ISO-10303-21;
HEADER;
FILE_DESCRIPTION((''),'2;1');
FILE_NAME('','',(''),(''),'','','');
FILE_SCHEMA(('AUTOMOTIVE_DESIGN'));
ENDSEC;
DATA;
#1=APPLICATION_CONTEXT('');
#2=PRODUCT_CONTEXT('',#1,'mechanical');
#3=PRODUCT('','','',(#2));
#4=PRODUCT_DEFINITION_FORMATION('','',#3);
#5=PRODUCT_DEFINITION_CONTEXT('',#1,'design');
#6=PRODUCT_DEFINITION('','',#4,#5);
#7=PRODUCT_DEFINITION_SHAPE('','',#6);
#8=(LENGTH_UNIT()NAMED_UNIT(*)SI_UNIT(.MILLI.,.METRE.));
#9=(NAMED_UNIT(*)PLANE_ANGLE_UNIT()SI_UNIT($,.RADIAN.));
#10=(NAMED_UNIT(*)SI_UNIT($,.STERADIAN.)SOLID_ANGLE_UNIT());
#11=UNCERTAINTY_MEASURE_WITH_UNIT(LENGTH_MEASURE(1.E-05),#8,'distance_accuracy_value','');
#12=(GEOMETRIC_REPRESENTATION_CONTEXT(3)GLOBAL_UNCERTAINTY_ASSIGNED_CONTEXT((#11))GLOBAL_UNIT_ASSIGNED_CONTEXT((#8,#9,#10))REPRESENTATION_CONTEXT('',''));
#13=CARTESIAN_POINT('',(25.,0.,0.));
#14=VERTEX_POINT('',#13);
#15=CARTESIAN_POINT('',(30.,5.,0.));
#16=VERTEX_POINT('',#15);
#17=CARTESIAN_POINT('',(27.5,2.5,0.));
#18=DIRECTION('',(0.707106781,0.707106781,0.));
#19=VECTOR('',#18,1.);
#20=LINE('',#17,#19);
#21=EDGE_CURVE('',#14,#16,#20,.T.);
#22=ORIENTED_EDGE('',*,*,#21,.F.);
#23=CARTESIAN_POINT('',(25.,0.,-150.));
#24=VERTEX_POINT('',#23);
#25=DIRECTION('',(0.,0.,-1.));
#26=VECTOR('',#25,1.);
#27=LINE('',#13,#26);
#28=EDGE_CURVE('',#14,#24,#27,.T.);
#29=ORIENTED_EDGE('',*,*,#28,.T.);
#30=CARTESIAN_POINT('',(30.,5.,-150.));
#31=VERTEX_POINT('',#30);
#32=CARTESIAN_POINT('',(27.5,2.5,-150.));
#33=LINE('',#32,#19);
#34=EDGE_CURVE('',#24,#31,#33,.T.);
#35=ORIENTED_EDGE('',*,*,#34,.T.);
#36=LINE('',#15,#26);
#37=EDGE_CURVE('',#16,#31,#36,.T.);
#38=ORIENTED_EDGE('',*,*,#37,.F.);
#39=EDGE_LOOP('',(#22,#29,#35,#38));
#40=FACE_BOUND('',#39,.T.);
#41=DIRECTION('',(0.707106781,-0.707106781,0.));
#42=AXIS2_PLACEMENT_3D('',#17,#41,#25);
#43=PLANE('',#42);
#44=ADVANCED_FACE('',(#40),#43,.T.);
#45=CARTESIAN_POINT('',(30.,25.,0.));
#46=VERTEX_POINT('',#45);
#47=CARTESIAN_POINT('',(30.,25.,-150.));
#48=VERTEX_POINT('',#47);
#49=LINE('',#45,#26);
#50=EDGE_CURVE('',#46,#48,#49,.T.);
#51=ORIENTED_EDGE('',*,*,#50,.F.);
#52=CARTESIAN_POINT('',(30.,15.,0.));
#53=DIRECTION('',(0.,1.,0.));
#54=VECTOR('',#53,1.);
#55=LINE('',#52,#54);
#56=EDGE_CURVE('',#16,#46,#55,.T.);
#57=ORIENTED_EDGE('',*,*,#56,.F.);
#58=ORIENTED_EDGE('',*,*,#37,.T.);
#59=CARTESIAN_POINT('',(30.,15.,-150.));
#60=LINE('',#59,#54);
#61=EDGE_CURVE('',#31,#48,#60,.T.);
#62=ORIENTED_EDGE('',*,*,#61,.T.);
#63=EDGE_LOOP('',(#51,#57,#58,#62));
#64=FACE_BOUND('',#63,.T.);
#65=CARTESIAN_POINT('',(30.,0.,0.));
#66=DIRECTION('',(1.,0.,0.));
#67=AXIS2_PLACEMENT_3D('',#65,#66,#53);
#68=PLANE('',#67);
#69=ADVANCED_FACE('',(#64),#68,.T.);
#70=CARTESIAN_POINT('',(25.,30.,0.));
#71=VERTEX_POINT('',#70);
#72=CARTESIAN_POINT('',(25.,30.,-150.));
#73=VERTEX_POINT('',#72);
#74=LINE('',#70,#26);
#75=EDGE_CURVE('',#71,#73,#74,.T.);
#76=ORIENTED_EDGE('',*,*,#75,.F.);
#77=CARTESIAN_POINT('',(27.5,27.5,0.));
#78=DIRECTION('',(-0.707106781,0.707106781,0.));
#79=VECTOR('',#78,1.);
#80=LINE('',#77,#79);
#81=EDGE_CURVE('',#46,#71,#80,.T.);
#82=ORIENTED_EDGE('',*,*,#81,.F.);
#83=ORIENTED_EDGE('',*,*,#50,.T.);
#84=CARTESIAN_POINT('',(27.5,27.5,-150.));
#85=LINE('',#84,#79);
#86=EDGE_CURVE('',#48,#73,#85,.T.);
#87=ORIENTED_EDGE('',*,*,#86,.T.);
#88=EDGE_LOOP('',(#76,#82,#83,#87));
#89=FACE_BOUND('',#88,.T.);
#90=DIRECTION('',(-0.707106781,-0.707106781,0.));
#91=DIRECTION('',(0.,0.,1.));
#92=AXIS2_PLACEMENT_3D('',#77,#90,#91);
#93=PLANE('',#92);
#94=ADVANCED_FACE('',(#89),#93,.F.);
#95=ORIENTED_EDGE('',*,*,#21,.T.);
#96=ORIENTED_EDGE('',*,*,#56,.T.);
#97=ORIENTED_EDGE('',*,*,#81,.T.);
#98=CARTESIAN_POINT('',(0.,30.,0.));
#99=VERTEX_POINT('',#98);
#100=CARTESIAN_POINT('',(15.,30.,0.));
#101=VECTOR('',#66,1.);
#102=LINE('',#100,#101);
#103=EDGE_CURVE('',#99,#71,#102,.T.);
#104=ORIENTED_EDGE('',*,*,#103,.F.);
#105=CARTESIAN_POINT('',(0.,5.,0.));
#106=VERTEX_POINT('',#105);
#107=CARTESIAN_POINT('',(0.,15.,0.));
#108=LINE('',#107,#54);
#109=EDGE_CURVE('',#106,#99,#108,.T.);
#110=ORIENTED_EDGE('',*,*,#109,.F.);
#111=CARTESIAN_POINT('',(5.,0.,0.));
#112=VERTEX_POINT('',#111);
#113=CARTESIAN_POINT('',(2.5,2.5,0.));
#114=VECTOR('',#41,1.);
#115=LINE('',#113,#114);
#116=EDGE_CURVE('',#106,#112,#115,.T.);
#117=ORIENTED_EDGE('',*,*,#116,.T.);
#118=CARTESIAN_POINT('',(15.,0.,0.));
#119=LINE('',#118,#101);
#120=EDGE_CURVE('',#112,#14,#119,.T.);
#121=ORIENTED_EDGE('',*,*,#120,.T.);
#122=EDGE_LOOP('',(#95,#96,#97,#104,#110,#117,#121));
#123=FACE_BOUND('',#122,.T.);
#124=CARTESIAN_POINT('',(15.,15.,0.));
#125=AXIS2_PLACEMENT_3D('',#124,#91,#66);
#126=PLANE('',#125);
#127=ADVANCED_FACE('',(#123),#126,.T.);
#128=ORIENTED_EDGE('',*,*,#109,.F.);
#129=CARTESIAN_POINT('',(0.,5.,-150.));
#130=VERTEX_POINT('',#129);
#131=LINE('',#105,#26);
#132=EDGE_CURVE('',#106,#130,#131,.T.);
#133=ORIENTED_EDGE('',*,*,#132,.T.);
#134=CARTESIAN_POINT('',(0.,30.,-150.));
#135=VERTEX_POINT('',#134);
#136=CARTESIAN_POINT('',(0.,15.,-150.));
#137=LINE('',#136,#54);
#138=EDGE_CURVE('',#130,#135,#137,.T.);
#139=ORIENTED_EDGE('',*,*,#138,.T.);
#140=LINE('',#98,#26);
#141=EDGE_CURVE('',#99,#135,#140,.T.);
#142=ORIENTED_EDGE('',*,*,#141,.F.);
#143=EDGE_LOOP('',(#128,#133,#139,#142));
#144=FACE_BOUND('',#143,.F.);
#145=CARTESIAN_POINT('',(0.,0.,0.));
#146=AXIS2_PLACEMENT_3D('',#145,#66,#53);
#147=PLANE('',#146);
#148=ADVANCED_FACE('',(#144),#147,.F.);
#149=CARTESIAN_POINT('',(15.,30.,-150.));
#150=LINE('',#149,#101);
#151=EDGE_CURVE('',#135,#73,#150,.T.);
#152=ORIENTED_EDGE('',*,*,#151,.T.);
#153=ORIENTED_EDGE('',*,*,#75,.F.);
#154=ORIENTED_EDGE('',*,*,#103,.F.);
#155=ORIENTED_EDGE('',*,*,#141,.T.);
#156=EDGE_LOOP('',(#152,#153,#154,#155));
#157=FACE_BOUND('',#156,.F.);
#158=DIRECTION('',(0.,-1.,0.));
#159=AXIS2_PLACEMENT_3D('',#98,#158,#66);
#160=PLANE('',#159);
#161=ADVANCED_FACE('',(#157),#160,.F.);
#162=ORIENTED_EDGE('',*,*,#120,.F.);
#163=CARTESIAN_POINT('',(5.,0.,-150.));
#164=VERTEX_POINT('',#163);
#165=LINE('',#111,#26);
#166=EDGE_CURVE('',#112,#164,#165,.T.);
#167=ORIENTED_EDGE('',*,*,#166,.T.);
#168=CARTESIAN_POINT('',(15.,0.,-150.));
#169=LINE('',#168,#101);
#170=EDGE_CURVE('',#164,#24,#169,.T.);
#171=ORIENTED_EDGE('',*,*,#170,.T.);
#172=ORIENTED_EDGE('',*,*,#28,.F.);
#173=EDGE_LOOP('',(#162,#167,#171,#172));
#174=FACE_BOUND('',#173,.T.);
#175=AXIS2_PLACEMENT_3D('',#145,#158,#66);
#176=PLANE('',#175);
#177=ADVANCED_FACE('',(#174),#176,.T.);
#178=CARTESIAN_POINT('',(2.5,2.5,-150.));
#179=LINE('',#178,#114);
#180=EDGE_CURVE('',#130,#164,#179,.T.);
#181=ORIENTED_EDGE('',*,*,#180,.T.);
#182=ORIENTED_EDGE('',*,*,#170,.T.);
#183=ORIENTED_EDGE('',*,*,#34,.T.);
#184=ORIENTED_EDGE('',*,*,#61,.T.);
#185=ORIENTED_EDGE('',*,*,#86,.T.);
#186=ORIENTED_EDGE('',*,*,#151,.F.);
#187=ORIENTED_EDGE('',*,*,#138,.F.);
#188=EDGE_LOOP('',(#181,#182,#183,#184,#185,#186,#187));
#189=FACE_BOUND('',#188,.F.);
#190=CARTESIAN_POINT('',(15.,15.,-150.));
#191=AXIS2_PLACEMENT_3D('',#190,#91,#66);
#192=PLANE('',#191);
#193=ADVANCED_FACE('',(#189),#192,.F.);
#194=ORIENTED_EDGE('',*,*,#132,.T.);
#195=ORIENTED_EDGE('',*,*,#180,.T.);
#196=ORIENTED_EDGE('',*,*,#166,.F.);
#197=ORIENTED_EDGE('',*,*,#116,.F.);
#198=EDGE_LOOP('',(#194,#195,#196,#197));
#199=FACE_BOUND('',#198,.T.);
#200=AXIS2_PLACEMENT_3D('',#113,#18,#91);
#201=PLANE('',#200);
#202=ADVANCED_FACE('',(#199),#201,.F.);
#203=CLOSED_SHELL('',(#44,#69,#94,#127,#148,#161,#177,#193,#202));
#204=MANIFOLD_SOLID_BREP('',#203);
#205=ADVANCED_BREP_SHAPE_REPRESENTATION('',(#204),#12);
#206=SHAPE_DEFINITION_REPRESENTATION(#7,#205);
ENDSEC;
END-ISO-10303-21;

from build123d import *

# Parameters (mm, degrees)
F0_W     = 30
F0_H     = 30
F1_DEPTH = 150
F2_SIZE  = 5


with BuildPart() as f1:
    # F0 (on Top) → F1 (new body)
    with BuildSketch(Plane.XY):
        with Locations((15, 15)):
            Rectangle(F0_W, F0_H)
    extrude(amount=-F1_DEPTH)

    # F2
    f2_edges = [f1.edges().sort_by_distance(p)[0] for p in [
        (30, 30, -75),
        (30, 0, -75),
        (0, 0, -75),
    ]]
    chamfer(f2_edges, length=F2_SIZE)


solid = f1.part
